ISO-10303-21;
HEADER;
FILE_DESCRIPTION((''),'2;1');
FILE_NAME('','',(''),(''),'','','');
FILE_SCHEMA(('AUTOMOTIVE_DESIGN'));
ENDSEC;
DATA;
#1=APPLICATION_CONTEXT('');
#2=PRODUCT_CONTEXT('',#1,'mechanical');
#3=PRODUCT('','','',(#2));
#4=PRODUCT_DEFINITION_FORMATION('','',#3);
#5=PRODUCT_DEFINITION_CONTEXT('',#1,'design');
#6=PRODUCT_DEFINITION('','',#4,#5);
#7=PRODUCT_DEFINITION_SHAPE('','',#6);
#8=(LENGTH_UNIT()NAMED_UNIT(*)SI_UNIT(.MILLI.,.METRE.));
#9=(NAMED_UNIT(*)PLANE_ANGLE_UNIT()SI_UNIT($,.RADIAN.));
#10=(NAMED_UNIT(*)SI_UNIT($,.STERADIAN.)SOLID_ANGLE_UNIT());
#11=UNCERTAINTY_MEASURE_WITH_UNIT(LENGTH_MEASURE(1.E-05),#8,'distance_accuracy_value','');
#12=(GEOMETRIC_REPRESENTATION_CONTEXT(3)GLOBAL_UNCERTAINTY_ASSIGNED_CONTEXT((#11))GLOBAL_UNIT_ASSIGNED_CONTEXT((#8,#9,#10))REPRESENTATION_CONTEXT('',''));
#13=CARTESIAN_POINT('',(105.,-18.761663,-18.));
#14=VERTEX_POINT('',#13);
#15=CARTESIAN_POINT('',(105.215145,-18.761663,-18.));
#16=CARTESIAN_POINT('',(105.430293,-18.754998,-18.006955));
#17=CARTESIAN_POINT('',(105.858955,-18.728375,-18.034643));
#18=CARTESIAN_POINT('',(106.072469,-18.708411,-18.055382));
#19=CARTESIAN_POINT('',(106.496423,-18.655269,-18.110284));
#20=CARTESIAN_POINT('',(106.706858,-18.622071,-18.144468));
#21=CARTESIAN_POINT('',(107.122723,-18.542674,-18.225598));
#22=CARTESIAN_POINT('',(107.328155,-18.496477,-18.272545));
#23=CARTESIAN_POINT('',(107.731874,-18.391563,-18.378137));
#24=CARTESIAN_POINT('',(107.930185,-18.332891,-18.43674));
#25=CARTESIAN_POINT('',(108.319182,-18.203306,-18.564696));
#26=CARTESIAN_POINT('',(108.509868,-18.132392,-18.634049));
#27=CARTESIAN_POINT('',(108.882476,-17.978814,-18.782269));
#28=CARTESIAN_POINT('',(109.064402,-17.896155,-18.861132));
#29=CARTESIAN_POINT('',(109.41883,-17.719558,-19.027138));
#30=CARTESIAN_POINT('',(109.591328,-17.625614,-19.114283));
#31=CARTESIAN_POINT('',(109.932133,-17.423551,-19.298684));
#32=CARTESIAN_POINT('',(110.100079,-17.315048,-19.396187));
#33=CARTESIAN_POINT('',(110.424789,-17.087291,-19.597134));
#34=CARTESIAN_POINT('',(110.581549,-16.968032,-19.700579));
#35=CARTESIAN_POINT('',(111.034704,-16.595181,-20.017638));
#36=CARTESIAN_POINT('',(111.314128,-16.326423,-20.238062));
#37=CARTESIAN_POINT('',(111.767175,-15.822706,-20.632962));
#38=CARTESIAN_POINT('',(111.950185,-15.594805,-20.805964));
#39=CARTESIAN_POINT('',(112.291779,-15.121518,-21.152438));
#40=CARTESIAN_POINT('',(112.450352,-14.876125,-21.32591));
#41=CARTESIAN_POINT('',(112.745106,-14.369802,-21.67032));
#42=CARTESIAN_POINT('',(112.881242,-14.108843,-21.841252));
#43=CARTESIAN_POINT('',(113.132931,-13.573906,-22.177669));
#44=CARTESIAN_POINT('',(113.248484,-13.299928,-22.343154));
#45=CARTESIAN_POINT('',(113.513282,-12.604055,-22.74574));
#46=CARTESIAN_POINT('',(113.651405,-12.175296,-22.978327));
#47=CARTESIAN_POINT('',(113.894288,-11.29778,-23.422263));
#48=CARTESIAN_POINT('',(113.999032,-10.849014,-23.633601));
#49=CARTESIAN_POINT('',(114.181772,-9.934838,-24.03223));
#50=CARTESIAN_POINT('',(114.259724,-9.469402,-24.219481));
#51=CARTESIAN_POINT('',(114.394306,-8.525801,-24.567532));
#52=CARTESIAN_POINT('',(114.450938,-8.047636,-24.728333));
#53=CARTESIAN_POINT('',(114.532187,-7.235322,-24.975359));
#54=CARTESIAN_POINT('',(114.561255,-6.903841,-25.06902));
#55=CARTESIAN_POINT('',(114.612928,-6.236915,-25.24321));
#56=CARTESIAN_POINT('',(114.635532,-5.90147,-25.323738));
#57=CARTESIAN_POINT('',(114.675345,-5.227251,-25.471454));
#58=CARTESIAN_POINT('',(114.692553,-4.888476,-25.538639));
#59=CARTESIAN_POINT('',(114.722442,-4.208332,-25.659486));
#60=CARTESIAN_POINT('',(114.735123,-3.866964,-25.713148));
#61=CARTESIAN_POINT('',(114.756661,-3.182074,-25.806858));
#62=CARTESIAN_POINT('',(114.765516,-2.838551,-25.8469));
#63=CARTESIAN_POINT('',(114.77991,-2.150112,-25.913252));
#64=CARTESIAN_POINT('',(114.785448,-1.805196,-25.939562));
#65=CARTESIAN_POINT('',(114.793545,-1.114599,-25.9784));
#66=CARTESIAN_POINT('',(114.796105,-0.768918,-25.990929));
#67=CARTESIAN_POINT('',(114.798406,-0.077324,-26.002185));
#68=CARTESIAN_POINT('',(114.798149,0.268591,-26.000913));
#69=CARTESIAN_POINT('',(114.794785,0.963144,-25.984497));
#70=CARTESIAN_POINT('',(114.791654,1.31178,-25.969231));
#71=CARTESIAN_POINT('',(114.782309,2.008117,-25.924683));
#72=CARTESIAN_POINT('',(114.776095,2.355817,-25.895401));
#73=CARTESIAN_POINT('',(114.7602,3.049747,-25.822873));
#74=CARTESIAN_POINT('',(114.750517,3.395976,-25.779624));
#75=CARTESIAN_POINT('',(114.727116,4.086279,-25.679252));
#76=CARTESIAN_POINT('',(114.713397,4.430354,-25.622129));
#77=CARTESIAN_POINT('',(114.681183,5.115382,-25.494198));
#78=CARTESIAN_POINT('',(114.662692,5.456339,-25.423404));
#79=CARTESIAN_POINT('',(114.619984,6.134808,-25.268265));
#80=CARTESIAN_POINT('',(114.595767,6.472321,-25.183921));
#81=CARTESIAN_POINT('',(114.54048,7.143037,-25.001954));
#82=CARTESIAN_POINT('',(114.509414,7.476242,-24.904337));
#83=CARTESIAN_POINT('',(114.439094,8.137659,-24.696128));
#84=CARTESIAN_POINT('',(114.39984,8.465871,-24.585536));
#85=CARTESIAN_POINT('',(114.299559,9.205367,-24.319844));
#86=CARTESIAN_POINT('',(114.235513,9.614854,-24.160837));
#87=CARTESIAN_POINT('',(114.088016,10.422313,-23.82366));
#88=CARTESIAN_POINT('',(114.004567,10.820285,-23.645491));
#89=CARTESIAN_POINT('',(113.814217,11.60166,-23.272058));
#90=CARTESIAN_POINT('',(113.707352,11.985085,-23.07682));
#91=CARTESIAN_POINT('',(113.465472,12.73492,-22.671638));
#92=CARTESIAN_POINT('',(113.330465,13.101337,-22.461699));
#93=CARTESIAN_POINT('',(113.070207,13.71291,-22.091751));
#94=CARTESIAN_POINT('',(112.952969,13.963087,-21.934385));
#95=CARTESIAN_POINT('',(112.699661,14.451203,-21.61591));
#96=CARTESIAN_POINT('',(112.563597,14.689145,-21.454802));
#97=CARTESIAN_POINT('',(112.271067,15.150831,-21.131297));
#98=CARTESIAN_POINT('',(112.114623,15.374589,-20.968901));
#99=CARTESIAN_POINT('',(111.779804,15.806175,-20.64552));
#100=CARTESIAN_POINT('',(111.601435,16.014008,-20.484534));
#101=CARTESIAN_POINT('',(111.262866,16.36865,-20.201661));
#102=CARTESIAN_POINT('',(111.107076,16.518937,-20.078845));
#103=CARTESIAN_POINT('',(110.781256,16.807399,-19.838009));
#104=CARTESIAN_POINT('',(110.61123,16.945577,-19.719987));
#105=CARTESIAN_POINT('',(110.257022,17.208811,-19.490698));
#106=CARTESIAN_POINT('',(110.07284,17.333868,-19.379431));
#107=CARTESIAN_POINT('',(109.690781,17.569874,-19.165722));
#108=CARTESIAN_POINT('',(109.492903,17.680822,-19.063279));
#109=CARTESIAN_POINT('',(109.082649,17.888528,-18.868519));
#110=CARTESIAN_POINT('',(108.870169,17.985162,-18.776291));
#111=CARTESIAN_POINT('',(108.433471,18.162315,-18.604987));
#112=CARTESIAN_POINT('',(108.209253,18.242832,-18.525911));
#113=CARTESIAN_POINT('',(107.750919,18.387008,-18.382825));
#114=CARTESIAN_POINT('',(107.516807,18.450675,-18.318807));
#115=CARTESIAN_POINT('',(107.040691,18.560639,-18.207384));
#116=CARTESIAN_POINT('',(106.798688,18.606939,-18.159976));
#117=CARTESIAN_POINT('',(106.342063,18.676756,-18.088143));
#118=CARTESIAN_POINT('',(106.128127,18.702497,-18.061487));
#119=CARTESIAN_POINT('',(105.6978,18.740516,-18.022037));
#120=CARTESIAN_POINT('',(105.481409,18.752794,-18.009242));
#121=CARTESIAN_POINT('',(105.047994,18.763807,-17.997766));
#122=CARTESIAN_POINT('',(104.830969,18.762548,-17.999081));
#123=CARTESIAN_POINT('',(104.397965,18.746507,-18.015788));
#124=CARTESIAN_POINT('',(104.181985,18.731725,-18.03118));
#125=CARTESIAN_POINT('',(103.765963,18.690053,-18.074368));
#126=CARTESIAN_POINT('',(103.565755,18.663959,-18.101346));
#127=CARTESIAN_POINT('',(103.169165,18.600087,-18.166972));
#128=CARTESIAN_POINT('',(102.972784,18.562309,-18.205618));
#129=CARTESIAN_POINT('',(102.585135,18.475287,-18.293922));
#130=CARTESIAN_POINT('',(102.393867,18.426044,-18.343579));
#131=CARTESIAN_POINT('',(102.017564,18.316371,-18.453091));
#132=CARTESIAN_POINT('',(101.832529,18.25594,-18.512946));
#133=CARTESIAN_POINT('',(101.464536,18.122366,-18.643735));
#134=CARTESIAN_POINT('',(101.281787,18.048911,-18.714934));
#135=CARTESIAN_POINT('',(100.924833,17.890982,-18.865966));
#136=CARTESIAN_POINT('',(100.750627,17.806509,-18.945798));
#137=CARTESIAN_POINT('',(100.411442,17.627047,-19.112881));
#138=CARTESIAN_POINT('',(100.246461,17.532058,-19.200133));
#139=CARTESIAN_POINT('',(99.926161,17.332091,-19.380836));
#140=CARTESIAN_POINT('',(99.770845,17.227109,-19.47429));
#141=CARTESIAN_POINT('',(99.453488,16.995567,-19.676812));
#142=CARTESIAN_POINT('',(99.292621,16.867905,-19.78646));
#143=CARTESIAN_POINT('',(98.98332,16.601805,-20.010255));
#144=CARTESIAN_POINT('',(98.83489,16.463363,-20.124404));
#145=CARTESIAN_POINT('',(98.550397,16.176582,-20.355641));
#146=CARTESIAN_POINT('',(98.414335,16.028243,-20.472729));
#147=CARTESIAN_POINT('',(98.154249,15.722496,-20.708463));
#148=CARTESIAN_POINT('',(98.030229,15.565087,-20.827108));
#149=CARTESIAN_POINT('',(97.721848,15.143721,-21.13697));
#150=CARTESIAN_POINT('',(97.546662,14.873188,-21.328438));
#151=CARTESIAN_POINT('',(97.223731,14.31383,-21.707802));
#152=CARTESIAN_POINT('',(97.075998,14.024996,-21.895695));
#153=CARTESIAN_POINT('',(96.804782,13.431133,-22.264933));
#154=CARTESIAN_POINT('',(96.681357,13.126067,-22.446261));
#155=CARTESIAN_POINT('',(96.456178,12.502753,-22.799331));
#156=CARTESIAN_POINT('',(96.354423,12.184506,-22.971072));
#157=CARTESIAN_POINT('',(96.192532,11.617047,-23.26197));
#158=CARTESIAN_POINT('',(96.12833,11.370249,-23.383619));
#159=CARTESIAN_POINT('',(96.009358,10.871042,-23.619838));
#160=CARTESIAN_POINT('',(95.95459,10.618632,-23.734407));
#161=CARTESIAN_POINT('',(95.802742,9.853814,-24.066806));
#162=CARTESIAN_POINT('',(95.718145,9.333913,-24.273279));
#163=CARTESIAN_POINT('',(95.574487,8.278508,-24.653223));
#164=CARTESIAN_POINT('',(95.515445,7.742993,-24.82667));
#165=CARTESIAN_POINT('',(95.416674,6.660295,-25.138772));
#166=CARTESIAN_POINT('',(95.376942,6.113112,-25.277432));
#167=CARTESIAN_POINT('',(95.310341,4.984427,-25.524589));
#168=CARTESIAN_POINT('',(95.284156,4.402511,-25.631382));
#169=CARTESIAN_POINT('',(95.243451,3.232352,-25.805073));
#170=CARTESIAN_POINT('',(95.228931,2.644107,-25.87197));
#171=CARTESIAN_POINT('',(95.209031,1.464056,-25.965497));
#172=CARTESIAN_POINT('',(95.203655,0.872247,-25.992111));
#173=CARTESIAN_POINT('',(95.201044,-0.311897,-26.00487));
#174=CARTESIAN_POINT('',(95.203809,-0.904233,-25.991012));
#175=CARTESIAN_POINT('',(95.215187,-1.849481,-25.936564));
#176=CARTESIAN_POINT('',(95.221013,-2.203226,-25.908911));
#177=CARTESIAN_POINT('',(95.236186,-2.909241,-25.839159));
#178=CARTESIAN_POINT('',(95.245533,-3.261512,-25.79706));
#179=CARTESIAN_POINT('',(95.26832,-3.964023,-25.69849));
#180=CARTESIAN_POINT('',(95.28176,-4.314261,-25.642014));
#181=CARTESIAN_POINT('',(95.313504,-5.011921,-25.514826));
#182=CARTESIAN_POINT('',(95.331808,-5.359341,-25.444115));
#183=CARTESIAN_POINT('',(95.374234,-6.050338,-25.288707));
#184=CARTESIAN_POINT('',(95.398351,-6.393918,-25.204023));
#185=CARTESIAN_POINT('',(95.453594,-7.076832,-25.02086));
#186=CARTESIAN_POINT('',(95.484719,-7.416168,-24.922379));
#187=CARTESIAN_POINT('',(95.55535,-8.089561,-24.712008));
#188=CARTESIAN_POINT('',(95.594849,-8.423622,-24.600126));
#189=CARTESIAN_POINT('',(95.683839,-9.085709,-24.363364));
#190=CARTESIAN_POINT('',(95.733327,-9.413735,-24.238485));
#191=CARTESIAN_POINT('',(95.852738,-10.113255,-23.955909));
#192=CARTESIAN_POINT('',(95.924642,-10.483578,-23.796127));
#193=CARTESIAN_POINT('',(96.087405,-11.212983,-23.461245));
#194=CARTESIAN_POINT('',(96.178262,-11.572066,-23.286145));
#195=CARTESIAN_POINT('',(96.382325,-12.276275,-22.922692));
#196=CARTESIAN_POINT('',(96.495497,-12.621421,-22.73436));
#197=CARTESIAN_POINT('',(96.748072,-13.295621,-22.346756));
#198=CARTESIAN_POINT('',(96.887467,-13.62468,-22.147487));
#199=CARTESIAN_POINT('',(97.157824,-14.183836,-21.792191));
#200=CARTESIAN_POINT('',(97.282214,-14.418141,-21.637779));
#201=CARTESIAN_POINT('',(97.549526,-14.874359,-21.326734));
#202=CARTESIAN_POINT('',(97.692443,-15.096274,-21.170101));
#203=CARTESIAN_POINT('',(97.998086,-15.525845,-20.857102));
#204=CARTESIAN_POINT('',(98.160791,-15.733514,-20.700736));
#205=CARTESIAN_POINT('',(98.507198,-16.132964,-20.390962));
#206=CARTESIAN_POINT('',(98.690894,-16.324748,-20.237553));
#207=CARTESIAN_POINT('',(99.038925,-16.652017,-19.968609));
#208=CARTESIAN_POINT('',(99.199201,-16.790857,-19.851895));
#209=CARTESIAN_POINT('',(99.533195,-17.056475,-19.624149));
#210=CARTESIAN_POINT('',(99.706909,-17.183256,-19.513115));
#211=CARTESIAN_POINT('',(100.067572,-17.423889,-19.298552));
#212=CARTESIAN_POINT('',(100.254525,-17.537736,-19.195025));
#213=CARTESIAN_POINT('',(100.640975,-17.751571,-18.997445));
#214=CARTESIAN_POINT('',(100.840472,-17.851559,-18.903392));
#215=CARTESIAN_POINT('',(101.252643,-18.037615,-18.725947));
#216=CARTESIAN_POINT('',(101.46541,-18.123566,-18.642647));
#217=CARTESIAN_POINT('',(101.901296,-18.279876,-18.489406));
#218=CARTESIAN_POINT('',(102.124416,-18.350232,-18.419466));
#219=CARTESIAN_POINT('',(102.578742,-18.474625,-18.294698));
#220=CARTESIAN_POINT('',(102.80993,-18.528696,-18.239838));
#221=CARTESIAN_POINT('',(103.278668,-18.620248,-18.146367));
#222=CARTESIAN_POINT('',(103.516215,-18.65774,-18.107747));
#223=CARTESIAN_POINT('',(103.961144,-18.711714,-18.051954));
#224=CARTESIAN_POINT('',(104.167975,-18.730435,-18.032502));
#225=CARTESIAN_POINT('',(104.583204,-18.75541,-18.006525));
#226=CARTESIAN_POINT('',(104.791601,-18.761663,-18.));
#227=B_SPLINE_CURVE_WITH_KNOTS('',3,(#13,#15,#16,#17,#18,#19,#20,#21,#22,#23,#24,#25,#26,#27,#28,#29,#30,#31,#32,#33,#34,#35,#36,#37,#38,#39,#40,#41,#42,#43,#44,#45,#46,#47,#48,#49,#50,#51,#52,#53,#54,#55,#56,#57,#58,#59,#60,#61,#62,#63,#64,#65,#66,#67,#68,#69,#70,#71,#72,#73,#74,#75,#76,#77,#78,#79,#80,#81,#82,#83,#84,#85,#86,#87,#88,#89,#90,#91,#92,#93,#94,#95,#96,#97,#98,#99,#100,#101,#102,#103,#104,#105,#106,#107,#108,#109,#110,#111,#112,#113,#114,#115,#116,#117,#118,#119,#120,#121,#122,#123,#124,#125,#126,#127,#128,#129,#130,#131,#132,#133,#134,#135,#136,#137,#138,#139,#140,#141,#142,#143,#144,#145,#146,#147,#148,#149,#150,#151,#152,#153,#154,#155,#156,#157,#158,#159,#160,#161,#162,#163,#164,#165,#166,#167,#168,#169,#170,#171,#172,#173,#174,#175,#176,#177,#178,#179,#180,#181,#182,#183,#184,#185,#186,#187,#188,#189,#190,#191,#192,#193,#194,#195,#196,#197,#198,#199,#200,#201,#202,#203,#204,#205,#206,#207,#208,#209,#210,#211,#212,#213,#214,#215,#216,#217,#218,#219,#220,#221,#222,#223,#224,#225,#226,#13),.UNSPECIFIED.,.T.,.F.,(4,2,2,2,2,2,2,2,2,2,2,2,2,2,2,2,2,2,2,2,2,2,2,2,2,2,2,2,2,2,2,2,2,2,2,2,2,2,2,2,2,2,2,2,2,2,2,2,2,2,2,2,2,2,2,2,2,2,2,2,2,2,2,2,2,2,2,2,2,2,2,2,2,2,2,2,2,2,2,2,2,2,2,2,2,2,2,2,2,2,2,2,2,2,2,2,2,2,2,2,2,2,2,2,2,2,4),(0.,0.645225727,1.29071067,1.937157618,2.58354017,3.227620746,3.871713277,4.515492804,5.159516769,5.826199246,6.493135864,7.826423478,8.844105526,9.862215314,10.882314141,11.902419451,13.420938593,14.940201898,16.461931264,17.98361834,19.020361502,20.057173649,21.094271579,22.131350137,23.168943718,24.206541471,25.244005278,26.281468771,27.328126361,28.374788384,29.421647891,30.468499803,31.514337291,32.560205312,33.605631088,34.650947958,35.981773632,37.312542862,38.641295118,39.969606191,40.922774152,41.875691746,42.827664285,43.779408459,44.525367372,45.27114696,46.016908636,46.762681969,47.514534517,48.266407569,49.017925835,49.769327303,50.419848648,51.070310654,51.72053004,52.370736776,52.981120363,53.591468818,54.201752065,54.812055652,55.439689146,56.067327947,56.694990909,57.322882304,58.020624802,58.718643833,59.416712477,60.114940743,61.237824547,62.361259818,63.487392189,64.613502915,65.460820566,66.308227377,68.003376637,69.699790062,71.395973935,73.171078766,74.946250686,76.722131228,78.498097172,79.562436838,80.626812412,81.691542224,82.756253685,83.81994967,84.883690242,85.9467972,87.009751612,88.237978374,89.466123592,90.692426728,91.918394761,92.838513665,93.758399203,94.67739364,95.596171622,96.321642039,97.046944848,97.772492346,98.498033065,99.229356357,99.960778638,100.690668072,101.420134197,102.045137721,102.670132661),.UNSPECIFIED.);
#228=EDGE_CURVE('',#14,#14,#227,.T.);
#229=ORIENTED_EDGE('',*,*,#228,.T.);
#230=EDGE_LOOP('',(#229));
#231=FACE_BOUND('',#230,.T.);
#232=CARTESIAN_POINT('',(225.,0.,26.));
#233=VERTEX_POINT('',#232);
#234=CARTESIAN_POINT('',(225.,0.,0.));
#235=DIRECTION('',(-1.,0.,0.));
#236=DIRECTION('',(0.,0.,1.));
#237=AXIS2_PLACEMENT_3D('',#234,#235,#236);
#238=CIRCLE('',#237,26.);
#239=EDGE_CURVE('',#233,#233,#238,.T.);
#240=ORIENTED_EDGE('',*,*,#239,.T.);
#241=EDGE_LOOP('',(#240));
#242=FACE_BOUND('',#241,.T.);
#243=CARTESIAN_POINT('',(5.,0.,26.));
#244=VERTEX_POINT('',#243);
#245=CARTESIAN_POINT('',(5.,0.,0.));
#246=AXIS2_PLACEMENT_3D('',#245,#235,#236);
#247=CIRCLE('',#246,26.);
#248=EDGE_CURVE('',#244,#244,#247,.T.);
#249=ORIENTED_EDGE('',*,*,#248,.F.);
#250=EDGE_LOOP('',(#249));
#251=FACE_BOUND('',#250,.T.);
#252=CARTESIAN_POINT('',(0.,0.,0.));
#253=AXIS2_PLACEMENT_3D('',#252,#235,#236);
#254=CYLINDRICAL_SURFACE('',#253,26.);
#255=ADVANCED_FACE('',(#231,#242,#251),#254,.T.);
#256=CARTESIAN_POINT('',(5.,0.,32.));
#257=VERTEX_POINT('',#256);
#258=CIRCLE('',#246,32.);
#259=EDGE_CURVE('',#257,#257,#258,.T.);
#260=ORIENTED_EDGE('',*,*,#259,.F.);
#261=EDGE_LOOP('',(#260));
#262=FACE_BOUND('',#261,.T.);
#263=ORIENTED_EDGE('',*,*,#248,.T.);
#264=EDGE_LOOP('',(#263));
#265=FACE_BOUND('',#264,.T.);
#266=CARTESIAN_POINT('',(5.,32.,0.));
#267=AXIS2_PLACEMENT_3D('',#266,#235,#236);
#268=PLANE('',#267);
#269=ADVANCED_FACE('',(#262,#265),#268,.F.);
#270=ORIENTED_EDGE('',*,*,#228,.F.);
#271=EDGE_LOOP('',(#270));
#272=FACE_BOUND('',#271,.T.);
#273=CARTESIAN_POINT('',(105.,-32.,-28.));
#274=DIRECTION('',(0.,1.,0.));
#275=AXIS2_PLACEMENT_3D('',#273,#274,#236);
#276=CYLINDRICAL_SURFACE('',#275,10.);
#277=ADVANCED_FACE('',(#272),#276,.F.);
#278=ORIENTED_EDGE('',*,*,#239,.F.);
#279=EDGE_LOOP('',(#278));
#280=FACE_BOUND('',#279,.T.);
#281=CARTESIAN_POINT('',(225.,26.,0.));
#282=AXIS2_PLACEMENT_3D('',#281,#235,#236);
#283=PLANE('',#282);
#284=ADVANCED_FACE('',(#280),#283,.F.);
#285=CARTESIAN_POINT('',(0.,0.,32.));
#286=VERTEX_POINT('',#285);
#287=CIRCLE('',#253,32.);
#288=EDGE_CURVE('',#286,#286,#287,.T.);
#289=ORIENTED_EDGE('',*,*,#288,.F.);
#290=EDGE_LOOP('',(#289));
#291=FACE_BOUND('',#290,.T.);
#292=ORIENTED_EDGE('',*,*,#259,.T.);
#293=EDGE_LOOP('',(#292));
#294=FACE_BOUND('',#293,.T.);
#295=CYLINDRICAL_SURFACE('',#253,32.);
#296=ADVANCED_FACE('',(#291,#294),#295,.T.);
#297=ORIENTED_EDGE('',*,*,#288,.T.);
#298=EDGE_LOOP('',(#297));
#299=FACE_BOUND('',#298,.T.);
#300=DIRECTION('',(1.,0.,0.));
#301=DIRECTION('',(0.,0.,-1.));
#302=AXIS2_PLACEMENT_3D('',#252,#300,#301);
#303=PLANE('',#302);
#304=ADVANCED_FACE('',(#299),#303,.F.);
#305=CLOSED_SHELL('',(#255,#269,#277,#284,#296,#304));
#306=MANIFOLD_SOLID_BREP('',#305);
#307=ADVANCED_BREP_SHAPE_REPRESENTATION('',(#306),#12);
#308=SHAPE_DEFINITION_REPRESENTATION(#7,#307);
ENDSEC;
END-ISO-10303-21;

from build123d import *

# Parameters (mm, degrees)
CUT_EXTRUDE1_DEPTH      = 230.505991207
CUT_EXTRUDE1_DEPTH_BACK = 230.505991207
SKETCH2_R               = 10


with BuildPart() as part:
    # Sketch1 → Revolve1 (revolve)
    with BuildSketch(Plane.XY, mode=Mode.PRIVATE) as revolve1_sk:
        Polygon((0, 0), (0, 32), (5, 32), (5, 26), (225, 26), (225, 0), align=None)
    revolve(revolve1_sk.sketch.rotate(Axis((0, 0, 0), (1, 0, 0)), 90), axis=Axis((0, 0, 0), (1, 0, 0)))

    # Sketch2 → Cut-Extrude1 (cut, two sides: drawn at the far end of the back side and taken through both)
    with BuildSketch(Plane(origin=(0, 0, 0), x_dir=(1, 0, 0), z_dir=(0, 1, 0)).offset(-CUT_EXTRUDE1_DEPTH_BACK)):
        with Locations((105, 28)):
            Circle(SKETCH2_R)
    extrude(amount=CUT_EXTRUDE1_DEPTH + CUT_EXTRUDE1_DEPTH_BACK, mode=Mode.SUBTRACT)


solid = part.part
